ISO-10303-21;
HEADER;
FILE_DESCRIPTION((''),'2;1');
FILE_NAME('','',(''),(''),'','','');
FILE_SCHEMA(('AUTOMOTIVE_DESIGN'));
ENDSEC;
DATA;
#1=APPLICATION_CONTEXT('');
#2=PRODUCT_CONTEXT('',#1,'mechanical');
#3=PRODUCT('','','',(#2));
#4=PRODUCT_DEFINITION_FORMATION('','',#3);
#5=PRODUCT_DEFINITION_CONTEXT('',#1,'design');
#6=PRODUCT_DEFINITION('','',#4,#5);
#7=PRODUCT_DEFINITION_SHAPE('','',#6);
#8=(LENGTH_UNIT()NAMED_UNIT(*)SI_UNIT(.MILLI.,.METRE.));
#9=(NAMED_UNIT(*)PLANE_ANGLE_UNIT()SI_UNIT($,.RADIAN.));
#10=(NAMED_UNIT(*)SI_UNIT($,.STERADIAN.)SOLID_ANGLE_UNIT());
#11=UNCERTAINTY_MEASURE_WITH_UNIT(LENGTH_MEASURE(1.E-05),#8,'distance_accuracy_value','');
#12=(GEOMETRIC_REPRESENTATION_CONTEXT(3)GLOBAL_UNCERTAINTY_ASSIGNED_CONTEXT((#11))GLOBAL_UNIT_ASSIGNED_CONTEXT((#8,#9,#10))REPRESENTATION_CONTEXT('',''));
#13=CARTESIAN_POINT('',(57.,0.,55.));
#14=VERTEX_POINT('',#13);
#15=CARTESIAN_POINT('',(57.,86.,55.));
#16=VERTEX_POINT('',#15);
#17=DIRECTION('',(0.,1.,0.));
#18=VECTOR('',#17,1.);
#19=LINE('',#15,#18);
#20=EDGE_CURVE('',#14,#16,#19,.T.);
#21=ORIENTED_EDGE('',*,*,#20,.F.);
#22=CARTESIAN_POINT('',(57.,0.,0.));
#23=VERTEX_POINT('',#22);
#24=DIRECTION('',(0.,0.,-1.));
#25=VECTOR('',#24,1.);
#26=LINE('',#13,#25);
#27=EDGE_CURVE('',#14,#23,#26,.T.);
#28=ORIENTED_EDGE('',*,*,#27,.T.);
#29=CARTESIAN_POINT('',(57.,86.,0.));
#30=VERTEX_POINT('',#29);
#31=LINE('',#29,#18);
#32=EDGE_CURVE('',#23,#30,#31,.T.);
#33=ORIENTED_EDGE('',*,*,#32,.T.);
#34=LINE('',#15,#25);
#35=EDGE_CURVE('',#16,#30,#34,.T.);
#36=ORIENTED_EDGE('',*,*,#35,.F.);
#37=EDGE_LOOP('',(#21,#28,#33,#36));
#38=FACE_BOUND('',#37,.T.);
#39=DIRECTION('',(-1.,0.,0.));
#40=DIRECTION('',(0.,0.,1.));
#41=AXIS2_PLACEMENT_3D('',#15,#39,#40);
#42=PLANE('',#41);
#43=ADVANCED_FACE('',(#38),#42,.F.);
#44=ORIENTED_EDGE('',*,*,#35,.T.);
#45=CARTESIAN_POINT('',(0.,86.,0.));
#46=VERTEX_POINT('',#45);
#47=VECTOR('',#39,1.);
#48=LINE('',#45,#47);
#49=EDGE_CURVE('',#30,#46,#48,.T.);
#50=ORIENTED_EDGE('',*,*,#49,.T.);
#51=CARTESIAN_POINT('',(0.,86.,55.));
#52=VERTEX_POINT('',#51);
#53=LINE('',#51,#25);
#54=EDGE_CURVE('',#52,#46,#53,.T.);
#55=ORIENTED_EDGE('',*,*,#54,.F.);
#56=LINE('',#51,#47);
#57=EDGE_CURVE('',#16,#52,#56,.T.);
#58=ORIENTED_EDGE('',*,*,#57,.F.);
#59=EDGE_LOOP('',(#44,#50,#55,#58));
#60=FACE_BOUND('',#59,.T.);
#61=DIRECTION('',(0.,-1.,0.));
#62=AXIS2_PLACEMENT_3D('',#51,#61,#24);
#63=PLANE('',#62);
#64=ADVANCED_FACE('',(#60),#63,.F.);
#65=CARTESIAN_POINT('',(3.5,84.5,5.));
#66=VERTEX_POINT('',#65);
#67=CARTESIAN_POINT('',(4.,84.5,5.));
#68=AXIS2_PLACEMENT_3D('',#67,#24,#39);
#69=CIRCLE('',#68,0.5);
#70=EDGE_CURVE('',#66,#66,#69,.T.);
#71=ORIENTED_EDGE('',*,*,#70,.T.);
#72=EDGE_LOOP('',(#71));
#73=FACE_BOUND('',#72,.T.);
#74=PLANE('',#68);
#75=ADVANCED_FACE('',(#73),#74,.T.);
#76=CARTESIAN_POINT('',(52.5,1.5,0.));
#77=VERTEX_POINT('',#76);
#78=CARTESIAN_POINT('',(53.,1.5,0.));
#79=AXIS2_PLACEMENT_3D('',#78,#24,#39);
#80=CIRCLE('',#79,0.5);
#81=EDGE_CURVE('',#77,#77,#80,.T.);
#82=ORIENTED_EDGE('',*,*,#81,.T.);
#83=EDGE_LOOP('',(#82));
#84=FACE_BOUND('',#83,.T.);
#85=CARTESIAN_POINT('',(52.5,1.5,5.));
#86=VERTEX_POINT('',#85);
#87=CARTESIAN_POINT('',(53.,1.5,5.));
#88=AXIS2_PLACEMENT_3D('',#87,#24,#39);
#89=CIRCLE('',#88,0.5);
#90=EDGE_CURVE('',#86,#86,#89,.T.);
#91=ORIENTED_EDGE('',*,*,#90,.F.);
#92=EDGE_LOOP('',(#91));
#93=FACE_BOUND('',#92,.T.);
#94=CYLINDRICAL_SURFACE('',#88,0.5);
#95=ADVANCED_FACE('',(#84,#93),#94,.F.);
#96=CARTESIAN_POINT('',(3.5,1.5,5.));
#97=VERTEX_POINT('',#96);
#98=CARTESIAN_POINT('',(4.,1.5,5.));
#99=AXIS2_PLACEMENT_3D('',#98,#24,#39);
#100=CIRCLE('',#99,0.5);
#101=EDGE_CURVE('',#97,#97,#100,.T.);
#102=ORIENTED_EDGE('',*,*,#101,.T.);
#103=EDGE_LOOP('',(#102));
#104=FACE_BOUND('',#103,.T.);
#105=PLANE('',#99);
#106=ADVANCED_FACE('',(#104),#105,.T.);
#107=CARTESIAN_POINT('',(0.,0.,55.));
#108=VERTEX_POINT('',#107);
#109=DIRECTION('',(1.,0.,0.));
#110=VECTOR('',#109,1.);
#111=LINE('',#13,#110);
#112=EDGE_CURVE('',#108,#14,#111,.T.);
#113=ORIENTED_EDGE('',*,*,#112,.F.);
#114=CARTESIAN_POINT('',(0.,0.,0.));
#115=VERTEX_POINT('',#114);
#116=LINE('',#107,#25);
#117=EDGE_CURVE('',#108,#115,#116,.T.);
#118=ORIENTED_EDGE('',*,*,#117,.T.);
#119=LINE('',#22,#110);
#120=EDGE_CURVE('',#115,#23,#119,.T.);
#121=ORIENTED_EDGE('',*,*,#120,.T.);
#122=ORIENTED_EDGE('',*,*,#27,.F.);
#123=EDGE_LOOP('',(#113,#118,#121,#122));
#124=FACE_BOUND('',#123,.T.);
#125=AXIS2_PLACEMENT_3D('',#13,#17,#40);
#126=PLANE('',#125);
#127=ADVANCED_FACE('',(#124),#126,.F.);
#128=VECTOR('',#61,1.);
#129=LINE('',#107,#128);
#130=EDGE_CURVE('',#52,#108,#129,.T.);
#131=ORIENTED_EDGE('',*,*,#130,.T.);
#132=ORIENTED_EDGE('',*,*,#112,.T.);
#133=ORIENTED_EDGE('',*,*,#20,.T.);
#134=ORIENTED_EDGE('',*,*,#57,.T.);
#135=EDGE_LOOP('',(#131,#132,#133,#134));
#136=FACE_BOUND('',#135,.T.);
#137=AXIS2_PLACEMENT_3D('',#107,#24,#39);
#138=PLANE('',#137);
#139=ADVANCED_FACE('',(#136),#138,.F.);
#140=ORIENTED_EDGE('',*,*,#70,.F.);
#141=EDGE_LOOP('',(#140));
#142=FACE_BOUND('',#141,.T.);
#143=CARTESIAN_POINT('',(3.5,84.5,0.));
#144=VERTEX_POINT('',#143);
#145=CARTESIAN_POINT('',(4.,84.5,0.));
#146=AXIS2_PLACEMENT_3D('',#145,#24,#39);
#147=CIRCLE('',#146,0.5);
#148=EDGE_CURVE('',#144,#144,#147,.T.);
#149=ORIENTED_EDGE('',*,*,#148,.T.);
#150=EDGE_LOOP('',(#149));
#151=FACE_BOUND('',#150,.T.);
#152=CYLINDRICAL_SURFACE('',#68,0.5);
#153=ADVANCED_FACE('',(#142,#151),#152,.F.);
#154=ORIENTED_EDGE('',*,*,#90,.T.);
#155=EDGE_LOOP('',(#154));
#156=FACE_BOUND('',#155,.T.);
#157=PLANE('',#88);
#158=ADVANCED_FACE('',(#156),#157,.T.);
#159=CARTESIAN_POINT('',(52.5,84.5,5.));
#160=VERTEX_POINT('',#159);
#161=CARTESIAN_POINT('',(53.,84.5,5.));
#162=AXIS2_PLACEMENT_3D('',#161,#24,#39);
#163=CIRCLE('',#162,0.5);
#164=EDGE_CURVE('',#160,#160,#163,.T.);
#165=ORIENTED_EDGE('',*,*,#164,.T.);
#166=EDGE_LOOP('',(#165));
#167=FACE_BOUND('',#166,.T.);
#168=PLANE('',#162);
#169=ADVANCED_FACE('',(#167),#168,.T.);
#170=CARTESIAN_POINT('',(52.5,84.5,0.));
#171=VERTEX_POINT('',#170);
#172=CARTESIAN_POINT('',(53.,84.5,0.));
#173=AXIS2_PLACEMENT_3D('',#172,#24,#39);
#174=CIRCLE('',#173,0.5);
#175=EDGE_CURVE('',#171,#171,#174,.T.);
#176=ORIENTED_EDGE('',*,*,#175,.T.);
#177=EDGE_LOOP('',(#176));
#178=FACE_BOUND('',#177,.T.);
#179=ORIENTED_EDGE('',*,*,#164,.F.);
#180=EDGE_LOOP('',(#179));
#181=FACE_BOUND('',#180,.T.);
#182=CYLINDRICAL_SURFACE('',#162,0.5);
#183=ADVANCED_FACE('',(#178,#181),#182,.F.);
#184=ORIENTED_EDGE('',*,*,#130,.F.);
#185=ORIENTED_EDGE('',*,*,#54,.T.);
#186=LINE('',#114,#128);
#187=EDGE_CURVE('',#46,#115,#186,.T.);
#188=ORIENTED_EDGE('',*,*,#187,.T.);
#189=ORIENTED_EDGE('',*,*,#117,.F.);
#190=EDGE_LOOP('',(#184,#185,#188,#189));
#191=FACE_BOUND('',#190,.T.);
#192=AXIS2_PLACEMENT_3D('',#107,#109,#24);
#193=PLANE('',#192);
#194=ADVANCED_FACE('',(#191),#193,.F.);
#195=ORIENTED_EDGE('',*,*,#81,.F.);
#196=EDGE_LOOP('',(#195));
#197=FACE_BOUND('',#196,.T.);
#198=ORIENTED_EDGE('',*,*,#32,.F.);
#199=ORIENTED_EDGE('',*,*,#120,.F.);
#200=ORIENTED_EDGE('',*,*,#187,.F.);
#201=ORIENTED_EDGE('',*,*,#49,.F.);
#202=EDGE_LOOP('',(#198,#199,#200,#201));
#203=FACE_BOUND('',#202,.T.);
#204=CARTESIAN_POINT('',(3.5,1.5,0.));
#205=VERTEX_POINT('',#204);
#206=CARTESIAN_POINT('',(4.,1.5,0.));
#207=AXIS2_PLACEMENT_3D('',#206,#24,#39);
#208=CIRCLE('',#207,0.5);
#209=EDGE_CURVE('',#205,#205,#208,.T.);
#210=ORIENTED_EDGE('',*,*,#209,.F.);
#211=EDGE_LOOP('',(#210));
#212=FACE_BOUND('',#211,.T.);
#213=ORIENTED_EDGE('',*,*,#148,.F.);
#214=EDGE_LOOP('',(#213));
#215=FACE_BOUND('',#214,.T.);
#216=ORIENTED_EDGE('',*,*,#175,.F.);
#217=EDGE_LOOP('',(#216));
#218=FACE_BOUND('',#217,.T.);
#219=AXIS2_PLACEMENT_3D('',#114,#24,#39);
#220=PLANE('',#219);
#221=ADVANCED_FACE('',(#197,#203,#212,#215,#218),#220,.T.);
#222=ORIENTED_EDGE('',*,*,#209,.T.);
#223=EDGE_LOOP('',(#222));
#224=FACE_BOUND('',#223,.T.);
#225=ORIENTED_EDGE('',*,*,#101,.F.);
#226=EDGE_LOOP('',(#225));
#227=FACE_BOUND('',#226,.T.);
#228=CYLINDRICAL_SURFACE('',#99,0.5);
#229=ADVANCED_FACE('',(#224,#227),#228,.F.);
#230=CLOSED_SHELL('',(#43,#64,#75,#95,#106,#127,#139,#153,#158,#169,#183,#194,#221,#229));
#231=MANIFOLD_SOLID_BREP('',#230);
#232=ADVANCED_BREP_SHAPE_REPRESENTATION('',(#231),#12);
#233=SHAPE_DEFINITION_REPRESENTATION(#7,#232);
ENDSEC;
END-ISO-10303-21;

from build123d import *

# Parameters (mm, degrees)
SKETCH1_W           = 57
SKETCH1_H           = 86
BOSS_EXTRUDE1_DEPTH = 55
SKETCH7_R           = 0.5
CUT_EXTRUDE1_DEPTH  = 5


with BuildPart() as part:
    # Sketch1 → Boss-Extrude1 (new body)
    with BuildSketch(Plane.XY):
        with Locations((28.5, 43)):
            Rectangle(SKETCH1_W, SKETCH1_H)
    extrude(amount=BOSS_EXTRUDE1_DEPTH)

    # Sketch7 → Cut-Extrude1 (cut)
    with BuildSketch(Plane(origin=(0, 0, 0), x_dir=(-1, 0, 0), z_dir=(0, 0, -1))):
        with Locations((-4, 1.5)):
            Circle(SKETCH7_R)
        with Locations((-53, 1.5)):
            Circle(SKETCH7_R)
        with Locations((-4, 84.5)):
            Circle(SKETCH7_R)
        with Locations((-53, 84.5)):
            Circle(SKETCH7_R)
    extrude(amount=-CUT_EXTRUDE1_DEPTH, mode=Mode.SUBTRACT)


solid = part.part
